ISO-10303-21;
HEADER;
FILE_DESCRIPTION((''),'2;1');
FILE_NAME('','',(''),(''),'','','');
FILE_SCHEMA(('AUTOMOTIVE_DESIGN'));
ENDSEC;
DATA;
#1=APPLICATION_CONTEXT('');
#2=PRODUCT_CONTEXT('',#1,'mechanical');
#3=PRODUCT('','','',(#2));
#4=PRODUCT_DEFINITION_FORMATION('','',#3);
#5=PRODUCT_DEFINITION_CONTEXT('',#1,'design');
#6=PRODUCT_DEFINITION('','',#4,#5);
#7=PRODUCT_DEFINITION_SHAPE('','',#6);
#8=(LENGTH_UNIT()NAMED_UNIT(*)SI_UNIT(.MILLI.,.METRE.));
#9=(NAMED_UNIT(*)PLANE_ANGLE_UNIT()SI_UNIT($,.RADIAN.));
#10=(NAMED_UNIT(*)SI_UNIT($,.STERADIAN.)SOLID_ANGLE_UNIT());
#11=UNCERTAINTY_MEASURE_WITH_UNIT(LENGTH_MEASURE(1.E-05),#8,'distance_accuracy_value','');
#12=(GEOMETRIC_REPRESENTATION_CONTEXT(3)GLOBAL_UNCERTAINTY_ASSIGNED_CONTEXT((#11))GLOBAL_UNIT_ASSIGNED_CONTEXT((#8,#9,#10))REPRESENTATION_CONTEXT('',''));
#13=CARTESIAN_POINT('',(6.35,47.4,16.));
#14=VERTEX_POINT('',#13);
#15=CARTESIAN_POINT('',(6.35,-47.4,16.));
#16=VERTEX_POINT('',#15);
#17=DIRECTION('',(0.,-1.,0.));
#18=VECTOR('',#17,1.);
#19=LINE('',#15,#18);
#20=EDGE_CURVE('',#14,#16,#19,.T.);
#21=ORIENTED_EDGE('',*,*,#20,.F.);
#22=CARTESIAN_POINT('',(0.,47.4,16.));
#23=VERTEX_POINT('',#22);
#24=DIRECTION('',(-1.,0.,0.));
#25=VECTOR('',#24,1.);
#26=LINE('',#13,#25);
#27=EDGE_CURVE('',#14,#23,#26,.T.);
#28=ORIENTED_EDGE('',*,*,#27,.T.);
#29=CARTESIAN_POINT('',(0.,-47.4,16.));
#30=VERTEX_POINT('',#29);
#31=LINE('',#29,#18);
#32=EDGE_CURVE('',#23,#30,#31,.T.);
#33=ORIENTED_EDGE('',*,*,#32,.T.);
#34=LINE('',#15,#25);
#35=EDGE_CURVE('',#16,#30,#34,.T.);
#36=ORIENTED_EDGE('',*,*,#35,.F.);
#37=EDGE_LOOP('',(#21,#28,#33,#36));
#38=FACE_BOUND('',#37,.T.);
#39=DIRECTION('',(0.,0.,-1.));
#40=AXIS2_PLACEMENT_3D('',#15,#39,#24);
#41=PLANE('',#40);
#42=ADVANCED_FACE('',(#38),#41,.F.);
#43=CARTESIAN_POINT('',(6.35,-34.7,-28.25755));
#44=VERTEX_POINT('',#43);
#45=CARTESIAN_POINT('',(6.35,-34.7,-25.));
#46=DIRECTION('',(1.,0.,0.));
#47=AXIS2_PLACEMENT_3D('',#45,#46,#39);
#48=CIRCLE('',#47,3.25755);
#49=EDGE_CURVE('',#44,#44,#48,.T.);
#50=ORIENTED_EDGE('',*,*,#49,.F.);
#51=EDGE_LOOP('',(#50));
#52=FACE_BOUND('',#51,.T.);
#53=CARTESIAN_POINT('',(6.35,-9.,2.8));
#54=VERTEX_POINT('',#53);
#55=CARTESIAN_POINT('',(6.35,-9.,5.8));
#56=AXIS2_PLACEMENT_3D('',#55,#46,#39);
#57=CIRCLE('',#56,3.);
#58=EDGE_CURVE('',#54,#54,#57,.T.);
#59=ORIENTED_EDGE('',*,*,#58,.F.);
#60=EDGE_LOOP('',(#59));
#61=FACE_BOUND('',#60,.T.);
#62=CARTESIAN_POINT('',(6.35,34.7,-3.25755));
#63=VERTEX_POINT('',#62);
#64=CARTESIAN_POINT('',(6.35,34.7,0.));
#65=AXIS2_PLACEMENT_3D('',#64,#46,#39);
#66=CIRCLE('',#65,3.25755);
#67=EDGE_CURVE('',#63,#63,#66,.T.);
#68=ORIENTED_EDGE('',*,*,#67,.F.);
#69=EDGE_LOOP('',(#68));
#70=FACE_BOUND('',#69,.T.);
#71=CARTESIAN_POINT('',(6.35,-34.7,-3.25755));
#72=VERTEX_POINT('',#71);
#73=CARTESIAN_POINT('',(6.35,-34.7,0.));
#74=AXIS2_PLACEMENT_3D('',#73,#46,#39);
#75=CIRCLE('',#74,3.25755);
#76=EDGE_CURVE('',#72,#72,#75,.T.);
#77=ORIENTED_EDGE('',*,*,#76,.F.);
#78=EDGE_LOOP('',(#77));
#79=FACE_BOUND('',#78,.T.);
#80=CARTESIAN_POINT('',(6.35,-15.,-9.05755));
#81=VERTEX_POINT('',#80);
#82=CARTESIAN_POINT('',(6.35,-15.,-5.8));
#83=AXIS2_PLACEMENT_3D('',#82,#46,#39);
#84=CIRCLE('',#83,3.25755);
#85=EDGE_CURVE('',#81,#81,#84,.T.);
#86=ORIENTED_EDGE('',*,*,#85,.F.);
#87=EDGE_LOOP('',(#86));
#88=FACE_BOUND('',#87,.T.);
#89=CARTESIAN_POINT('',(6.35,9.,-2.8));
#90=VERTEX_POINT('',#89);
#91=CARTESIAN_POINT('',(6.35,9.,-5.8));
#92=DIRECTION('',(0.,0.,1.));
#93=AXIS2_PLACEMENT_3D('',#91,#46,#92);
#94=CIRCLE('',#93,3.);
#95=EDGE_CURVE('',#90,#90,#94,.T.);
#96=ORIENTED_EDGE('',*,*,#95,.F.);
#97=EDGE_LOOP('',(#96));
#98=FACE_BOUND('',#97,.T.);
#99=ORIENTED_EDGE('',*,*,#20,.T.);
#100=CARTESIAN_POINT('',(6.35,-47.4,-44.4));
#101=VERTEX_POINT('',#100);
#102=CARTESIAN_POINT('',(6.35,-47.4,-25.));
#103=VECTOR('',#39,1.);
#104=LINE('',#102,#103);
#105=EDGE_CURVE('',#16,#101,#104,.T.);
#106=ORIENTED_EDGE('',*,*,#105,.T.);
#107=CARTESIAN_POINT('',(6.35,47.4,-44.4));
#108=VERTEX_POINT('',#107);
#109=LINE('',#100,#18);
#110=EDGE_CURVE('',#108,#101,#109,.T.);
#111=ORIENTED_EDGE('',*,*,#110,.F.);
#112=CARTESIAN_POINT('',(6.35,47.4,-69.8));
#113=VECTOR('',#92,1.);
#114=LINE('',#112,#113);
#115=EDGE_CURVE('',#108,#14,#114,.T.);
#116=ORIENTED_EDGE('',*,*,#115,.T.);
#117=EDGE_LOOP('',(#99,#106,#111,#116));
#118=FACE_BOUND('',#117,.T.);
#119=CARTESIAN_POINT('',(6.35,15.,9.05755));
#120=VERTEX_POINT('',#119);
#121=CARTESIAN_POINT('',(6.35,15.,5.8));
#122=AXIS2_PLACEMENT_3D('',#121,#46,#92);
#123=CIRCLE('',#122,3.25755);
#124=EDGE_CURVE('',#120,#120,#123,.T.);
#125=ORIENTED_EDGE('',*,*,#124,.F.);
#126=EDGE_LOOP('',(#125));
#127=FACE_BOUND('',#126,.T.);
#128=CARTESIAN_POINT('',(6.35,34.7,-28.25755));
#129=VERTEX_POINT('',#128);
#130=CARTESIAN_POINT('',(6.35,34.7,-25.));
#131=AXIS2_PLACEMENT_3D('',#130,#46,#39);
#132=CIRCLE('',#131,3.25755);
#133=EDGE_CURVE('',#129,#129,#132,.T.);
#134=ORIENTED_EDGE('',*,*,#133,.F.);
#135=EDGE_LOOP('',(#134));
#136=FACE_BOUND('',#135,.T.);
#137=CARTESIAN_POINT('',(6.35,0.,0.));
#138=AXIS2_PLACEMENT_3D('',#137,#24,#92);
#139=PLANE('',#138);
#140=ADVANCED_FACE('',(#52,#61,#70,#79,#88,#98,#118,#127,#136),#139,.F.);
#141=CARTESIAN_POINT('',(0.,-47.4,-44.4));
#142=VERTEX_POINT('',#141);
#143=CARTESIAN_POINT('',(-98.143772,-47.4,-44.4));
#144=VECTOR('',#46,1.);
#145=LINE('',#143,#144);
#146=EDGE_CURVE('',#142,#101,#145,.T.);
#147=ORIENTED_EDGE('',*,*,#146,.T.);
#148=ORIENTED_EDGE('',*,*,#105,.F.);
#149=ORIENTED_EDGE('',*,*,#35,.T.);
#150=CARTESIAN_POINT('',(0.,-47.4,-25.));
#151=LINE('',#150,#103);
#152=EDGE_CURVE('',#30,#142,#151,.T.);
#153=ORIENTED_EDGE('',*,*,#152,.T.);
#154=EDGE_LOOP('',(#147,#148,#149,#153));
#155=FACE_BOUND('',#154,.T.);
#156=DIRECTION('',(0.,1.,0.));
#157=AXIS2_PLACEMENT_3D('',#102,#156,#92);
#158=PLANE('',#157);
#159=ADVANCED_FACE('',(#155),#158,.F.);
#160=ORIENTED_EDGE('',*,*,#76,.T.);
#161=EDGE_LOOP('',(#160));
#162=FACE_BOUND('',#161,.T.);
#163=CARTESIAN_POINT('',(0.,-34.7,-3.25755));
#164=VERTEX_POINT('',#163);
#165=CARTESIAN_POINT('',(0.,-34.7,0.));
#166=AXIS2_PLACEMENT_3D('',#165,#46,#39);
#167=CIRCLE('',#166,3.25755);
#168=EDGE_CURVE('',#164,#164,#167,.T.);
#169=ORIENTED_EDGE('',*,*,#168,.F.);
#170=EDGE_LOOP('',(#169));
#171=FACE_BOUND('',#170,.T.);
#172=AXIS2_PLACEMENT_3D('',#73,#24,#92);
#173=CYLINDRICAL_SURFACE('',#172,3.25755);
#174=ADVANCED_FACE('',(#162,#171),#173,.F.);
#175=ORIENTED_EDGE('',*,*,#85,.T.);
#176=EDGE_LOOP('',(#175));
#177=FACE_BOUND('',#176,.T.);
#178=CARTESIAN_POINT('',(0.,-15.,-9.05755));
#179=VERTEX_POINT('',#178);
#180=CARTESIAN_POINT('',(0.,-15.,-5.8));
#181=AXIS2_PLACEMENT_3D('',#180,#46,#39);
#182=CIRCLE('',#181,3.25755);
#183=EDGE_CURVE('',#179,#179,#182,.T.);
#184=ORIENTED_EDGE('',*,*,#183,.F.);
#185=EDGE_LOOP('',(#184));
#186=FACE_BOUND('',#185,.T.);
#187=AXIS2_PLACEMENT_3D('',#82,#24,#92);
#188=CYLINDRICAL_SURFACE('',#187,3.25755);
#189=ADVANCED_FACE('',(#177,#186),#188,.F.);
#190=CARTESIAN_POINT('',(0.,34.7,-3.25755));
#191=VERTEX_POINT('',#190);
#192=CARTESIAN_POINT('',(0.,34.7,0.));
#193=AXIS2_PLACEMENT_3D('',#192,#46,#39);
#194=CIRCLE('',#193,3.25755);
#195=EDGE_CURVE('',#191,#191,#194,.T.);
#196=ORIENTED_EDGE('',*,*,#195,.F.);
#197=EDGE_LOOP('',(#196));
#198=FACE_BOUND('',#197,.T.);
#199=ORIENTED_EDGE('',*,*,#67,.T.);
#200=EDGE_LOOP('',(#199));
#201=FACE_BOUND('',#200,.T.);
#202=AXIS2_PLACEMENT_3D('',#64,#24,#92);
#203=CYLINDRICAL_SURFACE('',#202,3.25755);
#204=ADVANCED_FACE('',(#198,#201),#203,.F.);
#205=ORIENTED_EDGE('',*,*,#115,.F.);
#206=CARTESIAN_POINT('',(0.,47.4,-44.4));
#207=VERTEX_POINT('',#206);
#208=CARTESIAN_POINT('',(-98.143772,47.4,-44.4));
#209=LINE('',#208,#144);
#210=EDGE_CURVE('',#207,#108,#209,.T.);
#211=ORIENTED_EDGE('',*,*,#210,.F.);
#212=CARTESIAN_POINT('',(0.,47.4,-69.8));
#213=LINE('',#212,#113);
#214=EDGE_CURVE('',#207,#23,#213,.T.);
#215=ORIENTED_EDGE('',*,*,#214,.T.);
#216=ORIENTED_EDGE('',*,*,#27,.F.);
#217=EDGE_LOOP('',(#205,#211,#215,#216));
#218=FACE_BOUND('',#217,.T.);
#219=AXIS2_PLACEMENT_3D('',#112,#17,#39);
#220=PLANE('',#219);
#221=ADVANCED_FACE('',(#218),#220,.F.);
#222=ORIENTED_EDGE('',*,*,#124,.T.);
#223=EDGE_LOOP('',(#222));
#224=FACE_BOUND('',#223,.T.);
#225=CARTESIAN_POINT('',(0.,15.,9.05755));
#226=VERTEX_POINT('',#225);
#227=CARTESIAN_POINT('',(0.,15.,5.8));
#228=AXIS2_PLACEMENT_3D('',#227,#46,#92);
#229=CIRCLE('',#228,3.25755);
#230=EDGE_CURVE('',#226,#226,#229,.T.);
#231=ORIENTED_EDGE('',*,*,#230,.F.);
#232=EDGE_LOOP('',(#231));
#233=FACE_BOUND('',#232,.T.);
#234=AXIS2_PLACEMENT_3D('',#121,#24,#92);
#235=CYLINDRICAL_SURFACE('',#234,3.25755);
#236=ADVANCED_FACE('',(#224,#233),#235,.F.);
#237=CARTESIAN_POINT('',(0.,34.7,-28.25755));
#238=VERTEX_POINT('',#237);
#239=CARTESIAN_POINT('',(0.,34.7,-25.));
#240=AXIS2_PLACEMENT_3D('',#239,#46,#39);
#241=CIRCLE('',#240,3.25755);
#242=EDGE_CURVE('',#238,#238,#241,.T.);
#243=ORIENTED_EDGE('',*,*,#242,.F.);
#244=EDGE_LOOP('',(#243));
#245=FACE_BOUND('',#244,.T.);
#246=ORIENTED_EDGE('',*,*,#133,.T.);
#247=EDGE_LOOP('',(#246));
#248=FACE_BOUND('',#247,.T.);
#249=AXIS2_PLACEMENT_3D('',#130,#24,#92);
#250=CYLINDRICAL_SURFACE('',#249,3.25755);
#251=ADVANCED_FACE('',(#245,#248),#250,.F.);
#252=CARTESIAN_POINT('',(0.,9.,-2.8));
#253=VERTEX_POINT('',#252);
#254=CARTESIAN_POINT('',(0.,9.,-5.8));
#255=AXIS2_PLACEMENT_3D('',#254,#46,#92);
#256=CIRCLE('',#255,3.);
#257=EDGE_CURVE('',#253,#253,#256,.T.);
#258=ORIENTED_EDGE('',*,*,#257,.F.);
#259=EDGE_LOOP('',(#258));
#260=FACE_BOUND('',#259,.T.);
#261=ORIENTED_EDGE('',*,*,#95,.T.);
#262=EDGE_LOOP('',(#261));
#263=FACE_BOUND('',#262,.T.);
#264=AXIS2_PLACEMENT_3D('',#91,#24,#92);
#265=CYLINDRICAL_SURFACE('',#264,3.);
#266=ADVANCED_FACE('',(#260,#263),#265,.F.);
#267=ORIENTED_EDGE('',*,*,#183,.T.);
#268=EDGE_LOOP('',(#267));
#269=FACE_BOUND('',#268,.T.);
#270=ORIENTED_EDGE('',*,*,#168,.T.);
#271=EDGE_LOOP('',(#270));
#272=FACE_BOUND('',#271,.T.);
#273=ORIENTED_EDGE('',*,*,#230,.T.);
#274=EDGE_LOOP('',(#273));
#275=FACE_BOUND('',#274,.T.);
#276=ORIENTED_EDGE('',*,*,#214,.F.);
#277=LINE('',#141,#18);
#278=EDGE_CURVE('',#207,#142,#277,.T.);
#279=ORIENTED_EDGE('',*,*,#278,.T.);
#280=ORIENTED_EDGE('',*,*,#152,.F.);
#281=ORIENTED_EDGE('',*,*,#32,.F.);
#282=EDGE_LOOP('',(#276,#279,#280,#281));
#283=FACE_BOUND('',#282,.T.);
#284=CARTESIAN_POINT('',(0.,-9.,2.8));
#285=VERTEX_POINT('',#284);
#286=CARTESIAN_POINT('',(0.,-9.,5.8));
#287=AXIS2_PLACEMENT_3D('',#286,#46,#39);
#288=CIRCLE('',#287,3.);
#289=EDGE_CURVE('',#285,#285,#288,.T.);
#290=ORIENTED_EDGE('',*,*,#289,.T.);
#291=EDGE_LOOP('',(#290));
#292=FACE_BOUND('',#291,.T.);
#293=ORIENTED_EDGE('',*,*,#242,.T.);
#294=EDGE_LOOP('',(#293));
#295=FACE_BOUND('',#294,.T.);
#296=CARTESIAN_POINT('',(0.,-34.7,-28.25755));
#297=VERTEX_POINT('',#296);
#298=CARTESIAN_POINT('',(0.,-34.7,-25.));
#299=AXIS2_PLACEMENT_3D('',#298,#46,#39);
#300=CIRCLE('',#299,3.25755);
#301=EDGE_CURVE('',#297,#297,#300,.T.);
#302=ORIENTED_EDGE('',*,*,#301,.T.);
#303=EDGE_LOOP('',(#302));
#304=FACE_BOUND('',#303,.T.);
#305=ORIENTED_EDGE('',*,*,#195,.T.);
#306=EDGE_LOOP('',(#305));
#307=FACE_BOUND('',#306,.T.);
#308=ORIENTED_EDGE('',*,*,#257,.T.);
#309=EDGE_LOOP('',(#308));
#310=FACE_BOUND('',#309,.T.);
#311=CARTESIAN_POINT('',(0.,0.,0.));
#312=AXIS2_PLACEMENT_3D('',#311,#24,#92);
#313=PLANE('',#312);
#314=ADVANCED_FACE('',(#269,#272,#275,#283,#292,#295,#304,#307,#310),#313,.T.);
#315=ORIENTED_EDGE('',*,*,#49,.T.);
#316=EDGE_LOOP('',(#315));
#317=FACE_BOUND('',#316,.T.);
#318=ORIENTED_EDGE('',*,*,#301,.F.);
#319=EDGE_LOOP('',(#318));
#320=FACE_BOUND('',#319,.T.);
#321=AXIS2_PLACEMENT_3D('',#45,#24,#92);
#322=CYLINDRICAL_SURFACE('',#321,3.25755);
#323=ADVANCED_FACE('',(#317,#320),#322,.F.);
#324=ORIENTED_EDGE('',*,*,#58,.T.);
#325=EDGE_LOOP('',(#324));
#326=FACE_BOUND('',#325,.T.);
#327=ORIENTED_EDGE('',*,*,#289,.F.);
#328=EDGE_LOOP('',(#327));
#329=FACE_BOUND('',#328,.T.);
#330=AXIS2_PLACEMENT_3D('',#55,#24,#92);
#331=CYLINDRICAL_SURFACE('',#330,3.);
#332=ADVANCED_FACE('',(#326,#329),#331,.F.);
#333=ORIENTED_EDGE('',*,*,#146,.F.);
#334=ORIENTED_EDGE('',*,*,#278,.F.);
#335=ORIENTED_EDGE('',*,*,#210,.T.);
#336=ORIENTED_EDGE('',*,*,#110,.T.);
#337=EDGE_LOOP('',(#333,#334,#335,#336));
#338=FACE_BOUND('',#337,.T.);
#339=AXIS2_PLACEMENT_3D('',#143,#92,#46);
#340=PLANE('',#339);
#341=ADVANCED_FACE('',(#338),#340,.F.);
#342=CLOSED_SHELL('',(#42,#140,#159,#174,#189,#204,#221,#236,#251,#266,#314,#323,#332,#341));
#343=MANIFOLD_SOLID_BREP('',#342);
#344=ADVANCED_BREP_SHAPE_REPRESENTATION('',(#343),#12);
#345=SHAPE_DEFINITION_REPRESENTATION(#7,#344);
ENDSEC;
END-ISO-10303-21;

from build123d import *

# Parameters (mm, degrees)
SKETCH1_R           = 3
SKETCH1_R_2         = 3.25755
BOSS_EXTRUDE1_DEPTH = 6.35
SKETCH2_W           = 94.8
SKETCH2_H           = 25.4
CUT_EXTRUDE1_DEPTH  = 6.35


with BuildPart() as part:
    # Sketch1 → Boss-Extrude1 (new body)
    with BuildSketch(Plane.YZ):
        Polygon((-47.4, -25), (-47.4, -69.8), (47.4, -69.8), (47.4, 16), (-47.4, 16), align=None)
        with Locations((-9, 5.8)):
            Circle(SKETCH1_R, mode=Mode.SUBTRACT)
        with Locations((-15, -5.8)):
            Circle(SKETCH1_R_2, mode=Mode.SUBTRACT)
        with Locations((9, -5.8)):
            Circle(SKETCH1_R, mode=Mode.SUBTRACT)
        with Locations((15, 5.8)):
            Circle(SKETCH1_R_2, mode=Mode.SUBTRACT)
        with Locations((-34.7, -57.1)):
            Circle(SKETCH1_R_2, mode=Mode.SUBTRACT)
        with Locations((34.7, -57.1)):
            Circle(SKETCH1_R_2, mode=Mode.SUBTRACT)
        with Locations((-34.7, -25)):
            Circle(SKETCH1_R_2, mode=Mode.SUBTRACT)
        with Locations((-34.7, 0)):
            Circle(SKETCH1_R_2, mode=Mode.SUBTRACT)
        with Locations((34.7, 0)):
            Circle(SKETCH1_R_2, mode=Mode.SUBTRACT)
        with Locations((34.7, -25)):
            Circle(SKETCH1_R_2, mode=Mode.SUBTRACT)
    extrude(amount=BOSS_EXTRUDE1_DEPTH)

    # Sketch2 → Cut-Extrude1 (cut)
    with BuildSketch(Plane.YZ.offset(6.35)):
        with Locations((0, -57.1)):
            Rectangle(SKETCH2_W, SKETCH2_H)
    extrude(amount=-CUT_EXTRUDE1_DEPTH, mode=Mode.SUBTRACT)


solid = part.part
